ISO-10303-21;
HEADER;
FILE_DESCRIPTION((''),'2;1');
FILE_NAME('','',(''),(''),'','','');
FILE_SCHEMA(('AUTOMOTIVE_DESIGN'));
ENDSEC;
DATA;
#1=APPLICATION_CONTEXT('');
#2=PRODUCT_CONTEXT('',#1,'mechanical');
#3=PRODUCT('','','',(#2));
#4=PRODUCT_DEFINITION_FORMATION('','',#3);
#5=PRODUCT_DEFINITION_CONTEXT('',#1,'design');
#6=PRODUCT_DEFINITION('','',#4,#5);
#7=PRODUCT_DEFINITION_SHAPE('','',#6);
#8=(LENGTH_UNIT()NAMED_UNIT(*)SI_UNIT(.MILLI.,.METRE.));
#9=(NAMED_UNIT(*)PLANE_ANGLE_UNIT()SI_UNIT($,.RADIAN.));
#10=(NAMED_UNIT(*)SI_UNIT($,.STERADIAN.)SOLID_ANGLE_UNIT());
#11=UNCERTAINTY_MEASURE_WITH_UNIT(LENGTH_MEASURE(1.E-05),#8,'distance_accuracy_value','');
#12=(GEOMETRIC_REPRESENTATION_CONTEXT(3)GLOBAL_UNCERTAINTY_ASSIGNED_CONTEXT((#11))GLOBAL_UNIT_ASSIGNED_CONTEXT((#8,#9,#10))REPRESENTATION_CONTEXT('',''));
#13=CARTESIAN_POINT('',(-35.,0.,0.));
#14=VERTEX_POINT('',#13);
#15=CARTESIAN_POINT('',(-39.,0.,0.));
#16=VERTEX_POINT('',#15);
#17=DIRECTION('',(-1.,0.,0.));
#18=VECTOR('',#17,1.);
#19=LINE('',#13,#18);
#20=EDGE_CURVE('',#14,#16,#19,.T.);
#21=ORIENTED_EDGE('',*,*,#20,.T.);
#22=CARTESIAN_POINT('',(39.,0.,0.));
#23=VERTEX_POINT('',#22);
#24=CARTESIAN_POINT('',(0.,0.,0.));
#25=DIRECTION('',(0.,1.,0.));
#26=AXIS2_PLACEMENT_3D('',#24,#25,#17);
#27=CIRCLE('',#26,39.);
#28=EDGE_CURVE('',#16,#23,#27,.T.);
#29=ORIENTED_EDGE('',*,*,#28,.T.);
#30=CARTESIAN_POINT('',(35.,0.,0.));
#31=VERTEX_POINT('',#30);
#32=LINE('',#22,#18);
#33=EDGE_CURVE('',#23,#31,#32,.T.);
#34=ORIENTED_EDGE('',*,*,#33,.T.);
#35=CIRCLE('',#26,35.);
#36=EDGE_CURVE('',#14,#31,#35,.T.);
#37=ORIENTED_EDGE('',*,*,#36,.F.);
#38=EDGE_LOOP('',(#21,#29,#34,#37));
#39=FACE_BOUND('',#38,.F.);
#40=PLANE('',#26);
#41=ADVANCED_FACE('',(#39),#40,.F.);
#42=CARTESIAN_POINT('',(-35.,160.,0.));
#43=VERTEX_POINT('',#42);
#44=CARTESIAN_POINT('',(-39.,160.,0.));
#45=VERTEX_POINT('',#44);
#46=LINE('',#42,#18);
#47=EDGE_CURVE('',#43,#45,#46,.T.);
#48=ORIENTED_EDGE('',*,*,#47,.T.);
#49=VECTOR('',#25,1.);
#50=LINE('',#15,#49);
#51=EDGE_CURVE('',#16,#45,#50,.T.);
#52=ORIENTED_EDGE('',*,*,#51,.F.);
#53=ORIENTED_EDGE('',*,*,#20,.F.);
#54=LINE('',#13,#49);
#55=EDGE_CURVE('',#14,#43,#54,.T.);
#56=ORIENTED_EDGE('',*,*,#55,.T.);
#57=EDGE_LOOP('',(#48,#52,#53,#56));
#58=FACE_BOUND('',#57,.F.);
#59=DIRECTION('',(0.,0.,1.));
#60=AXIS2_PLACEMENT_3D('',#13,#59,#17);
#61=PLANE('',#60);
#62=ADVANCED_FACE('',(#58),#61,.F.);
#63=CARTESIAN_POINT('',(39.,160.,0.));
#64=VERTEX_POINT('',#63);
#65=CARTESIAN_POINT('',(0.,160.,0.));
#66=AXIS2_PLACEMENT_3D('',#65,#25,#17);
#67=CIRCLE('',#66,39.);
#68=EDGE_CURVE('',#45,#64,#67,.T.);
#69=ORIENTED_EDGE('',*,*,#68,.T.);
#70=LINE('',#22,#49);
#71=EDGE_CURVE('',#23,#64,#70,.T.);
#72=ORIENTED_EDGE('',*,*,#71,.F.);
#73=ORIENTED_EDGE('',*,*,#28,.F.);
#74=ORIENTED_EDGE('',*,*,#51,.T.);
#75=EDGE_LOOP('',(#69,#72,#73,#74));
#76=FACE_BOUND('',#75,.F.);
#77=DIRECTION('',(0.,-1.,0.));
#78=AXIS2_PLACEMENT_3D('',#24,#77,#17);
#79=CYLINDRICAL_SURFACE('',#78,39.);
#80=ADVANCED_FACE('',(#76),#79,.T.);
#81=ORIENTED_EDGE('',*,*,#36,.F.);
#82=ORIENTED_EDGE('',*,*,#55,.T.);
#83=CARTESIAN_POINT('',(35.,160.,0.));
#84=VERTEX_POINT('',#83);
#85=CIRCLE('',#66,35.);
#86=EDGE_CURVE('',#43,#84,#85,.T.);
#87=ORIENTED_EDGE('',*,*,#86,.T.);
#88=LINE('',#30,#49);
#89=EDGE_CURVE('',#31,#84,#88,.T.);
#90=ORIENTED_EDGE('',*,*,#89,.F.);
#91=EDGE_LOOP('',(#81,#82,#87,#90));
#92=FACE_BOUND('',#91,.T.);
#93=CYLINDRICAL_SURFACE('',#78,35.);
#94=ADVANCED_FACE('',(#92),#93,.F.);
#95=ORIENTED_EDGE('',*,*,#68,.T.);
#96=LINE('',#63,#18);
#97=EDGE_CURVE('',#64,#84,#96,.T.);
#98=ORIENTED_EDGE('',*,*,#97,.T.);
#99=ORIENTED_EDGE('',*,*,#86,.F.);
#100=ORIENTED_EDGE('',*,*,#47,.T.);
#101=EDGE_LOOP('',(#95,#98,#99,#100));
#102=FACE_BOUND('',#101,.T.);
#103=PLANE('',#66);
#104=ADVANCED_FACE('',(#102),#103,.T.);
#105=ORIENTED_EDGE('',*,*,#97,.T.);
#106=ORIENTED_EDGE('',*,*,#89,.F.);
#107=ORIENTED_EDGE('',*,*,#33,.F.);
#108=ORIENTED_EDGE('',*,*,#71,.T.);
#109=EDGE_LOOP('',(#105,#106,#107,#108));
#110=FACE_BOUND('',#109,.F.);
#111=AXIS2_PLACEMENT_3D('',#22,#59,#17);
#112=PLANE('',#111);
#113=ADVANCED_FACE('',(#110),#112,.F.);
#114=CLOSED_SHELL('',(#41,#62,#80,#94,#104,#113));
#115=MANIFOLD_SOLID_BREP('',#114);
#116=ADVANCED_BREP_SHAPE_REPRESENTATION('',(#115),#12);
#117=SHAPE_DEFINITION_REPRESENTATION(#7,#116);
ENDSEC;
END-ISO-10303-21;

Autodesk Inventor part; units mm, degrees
ref_plane "YZ Plane" through (0, 0, 0) normal (1, 0, 0) x (0, 1, 0)
ref_plane "XZ Plane" through (0, 0, 0) normal (0, 1, 0) x (-1, 0, 0)
ref_plane "XY Plane" through (0, 0, 0) normal (0, 0, 1) x (1, 0, 0)
sketch "Sketch1" plane through (0, 0, 0) normal (0, 1, 0) x (-1, 0, 0)
  arc A0 (35, 0) -> (-35, 0) centre (0, 0) ccw
  arc A1 (39, 0) -> (-39, 0) centre (0, 0) ccw
  line L0 (-39, 0) -> (-35, 0)
  line L1 (35, 0) -> (39, 0)
  dimension "d0" = 70
  dimension "d1" = 78
extrude "Extrusion1" add sketch "Sketch1" along normal blind 160
properties part number "obudowa - klosz dla zarowki"
